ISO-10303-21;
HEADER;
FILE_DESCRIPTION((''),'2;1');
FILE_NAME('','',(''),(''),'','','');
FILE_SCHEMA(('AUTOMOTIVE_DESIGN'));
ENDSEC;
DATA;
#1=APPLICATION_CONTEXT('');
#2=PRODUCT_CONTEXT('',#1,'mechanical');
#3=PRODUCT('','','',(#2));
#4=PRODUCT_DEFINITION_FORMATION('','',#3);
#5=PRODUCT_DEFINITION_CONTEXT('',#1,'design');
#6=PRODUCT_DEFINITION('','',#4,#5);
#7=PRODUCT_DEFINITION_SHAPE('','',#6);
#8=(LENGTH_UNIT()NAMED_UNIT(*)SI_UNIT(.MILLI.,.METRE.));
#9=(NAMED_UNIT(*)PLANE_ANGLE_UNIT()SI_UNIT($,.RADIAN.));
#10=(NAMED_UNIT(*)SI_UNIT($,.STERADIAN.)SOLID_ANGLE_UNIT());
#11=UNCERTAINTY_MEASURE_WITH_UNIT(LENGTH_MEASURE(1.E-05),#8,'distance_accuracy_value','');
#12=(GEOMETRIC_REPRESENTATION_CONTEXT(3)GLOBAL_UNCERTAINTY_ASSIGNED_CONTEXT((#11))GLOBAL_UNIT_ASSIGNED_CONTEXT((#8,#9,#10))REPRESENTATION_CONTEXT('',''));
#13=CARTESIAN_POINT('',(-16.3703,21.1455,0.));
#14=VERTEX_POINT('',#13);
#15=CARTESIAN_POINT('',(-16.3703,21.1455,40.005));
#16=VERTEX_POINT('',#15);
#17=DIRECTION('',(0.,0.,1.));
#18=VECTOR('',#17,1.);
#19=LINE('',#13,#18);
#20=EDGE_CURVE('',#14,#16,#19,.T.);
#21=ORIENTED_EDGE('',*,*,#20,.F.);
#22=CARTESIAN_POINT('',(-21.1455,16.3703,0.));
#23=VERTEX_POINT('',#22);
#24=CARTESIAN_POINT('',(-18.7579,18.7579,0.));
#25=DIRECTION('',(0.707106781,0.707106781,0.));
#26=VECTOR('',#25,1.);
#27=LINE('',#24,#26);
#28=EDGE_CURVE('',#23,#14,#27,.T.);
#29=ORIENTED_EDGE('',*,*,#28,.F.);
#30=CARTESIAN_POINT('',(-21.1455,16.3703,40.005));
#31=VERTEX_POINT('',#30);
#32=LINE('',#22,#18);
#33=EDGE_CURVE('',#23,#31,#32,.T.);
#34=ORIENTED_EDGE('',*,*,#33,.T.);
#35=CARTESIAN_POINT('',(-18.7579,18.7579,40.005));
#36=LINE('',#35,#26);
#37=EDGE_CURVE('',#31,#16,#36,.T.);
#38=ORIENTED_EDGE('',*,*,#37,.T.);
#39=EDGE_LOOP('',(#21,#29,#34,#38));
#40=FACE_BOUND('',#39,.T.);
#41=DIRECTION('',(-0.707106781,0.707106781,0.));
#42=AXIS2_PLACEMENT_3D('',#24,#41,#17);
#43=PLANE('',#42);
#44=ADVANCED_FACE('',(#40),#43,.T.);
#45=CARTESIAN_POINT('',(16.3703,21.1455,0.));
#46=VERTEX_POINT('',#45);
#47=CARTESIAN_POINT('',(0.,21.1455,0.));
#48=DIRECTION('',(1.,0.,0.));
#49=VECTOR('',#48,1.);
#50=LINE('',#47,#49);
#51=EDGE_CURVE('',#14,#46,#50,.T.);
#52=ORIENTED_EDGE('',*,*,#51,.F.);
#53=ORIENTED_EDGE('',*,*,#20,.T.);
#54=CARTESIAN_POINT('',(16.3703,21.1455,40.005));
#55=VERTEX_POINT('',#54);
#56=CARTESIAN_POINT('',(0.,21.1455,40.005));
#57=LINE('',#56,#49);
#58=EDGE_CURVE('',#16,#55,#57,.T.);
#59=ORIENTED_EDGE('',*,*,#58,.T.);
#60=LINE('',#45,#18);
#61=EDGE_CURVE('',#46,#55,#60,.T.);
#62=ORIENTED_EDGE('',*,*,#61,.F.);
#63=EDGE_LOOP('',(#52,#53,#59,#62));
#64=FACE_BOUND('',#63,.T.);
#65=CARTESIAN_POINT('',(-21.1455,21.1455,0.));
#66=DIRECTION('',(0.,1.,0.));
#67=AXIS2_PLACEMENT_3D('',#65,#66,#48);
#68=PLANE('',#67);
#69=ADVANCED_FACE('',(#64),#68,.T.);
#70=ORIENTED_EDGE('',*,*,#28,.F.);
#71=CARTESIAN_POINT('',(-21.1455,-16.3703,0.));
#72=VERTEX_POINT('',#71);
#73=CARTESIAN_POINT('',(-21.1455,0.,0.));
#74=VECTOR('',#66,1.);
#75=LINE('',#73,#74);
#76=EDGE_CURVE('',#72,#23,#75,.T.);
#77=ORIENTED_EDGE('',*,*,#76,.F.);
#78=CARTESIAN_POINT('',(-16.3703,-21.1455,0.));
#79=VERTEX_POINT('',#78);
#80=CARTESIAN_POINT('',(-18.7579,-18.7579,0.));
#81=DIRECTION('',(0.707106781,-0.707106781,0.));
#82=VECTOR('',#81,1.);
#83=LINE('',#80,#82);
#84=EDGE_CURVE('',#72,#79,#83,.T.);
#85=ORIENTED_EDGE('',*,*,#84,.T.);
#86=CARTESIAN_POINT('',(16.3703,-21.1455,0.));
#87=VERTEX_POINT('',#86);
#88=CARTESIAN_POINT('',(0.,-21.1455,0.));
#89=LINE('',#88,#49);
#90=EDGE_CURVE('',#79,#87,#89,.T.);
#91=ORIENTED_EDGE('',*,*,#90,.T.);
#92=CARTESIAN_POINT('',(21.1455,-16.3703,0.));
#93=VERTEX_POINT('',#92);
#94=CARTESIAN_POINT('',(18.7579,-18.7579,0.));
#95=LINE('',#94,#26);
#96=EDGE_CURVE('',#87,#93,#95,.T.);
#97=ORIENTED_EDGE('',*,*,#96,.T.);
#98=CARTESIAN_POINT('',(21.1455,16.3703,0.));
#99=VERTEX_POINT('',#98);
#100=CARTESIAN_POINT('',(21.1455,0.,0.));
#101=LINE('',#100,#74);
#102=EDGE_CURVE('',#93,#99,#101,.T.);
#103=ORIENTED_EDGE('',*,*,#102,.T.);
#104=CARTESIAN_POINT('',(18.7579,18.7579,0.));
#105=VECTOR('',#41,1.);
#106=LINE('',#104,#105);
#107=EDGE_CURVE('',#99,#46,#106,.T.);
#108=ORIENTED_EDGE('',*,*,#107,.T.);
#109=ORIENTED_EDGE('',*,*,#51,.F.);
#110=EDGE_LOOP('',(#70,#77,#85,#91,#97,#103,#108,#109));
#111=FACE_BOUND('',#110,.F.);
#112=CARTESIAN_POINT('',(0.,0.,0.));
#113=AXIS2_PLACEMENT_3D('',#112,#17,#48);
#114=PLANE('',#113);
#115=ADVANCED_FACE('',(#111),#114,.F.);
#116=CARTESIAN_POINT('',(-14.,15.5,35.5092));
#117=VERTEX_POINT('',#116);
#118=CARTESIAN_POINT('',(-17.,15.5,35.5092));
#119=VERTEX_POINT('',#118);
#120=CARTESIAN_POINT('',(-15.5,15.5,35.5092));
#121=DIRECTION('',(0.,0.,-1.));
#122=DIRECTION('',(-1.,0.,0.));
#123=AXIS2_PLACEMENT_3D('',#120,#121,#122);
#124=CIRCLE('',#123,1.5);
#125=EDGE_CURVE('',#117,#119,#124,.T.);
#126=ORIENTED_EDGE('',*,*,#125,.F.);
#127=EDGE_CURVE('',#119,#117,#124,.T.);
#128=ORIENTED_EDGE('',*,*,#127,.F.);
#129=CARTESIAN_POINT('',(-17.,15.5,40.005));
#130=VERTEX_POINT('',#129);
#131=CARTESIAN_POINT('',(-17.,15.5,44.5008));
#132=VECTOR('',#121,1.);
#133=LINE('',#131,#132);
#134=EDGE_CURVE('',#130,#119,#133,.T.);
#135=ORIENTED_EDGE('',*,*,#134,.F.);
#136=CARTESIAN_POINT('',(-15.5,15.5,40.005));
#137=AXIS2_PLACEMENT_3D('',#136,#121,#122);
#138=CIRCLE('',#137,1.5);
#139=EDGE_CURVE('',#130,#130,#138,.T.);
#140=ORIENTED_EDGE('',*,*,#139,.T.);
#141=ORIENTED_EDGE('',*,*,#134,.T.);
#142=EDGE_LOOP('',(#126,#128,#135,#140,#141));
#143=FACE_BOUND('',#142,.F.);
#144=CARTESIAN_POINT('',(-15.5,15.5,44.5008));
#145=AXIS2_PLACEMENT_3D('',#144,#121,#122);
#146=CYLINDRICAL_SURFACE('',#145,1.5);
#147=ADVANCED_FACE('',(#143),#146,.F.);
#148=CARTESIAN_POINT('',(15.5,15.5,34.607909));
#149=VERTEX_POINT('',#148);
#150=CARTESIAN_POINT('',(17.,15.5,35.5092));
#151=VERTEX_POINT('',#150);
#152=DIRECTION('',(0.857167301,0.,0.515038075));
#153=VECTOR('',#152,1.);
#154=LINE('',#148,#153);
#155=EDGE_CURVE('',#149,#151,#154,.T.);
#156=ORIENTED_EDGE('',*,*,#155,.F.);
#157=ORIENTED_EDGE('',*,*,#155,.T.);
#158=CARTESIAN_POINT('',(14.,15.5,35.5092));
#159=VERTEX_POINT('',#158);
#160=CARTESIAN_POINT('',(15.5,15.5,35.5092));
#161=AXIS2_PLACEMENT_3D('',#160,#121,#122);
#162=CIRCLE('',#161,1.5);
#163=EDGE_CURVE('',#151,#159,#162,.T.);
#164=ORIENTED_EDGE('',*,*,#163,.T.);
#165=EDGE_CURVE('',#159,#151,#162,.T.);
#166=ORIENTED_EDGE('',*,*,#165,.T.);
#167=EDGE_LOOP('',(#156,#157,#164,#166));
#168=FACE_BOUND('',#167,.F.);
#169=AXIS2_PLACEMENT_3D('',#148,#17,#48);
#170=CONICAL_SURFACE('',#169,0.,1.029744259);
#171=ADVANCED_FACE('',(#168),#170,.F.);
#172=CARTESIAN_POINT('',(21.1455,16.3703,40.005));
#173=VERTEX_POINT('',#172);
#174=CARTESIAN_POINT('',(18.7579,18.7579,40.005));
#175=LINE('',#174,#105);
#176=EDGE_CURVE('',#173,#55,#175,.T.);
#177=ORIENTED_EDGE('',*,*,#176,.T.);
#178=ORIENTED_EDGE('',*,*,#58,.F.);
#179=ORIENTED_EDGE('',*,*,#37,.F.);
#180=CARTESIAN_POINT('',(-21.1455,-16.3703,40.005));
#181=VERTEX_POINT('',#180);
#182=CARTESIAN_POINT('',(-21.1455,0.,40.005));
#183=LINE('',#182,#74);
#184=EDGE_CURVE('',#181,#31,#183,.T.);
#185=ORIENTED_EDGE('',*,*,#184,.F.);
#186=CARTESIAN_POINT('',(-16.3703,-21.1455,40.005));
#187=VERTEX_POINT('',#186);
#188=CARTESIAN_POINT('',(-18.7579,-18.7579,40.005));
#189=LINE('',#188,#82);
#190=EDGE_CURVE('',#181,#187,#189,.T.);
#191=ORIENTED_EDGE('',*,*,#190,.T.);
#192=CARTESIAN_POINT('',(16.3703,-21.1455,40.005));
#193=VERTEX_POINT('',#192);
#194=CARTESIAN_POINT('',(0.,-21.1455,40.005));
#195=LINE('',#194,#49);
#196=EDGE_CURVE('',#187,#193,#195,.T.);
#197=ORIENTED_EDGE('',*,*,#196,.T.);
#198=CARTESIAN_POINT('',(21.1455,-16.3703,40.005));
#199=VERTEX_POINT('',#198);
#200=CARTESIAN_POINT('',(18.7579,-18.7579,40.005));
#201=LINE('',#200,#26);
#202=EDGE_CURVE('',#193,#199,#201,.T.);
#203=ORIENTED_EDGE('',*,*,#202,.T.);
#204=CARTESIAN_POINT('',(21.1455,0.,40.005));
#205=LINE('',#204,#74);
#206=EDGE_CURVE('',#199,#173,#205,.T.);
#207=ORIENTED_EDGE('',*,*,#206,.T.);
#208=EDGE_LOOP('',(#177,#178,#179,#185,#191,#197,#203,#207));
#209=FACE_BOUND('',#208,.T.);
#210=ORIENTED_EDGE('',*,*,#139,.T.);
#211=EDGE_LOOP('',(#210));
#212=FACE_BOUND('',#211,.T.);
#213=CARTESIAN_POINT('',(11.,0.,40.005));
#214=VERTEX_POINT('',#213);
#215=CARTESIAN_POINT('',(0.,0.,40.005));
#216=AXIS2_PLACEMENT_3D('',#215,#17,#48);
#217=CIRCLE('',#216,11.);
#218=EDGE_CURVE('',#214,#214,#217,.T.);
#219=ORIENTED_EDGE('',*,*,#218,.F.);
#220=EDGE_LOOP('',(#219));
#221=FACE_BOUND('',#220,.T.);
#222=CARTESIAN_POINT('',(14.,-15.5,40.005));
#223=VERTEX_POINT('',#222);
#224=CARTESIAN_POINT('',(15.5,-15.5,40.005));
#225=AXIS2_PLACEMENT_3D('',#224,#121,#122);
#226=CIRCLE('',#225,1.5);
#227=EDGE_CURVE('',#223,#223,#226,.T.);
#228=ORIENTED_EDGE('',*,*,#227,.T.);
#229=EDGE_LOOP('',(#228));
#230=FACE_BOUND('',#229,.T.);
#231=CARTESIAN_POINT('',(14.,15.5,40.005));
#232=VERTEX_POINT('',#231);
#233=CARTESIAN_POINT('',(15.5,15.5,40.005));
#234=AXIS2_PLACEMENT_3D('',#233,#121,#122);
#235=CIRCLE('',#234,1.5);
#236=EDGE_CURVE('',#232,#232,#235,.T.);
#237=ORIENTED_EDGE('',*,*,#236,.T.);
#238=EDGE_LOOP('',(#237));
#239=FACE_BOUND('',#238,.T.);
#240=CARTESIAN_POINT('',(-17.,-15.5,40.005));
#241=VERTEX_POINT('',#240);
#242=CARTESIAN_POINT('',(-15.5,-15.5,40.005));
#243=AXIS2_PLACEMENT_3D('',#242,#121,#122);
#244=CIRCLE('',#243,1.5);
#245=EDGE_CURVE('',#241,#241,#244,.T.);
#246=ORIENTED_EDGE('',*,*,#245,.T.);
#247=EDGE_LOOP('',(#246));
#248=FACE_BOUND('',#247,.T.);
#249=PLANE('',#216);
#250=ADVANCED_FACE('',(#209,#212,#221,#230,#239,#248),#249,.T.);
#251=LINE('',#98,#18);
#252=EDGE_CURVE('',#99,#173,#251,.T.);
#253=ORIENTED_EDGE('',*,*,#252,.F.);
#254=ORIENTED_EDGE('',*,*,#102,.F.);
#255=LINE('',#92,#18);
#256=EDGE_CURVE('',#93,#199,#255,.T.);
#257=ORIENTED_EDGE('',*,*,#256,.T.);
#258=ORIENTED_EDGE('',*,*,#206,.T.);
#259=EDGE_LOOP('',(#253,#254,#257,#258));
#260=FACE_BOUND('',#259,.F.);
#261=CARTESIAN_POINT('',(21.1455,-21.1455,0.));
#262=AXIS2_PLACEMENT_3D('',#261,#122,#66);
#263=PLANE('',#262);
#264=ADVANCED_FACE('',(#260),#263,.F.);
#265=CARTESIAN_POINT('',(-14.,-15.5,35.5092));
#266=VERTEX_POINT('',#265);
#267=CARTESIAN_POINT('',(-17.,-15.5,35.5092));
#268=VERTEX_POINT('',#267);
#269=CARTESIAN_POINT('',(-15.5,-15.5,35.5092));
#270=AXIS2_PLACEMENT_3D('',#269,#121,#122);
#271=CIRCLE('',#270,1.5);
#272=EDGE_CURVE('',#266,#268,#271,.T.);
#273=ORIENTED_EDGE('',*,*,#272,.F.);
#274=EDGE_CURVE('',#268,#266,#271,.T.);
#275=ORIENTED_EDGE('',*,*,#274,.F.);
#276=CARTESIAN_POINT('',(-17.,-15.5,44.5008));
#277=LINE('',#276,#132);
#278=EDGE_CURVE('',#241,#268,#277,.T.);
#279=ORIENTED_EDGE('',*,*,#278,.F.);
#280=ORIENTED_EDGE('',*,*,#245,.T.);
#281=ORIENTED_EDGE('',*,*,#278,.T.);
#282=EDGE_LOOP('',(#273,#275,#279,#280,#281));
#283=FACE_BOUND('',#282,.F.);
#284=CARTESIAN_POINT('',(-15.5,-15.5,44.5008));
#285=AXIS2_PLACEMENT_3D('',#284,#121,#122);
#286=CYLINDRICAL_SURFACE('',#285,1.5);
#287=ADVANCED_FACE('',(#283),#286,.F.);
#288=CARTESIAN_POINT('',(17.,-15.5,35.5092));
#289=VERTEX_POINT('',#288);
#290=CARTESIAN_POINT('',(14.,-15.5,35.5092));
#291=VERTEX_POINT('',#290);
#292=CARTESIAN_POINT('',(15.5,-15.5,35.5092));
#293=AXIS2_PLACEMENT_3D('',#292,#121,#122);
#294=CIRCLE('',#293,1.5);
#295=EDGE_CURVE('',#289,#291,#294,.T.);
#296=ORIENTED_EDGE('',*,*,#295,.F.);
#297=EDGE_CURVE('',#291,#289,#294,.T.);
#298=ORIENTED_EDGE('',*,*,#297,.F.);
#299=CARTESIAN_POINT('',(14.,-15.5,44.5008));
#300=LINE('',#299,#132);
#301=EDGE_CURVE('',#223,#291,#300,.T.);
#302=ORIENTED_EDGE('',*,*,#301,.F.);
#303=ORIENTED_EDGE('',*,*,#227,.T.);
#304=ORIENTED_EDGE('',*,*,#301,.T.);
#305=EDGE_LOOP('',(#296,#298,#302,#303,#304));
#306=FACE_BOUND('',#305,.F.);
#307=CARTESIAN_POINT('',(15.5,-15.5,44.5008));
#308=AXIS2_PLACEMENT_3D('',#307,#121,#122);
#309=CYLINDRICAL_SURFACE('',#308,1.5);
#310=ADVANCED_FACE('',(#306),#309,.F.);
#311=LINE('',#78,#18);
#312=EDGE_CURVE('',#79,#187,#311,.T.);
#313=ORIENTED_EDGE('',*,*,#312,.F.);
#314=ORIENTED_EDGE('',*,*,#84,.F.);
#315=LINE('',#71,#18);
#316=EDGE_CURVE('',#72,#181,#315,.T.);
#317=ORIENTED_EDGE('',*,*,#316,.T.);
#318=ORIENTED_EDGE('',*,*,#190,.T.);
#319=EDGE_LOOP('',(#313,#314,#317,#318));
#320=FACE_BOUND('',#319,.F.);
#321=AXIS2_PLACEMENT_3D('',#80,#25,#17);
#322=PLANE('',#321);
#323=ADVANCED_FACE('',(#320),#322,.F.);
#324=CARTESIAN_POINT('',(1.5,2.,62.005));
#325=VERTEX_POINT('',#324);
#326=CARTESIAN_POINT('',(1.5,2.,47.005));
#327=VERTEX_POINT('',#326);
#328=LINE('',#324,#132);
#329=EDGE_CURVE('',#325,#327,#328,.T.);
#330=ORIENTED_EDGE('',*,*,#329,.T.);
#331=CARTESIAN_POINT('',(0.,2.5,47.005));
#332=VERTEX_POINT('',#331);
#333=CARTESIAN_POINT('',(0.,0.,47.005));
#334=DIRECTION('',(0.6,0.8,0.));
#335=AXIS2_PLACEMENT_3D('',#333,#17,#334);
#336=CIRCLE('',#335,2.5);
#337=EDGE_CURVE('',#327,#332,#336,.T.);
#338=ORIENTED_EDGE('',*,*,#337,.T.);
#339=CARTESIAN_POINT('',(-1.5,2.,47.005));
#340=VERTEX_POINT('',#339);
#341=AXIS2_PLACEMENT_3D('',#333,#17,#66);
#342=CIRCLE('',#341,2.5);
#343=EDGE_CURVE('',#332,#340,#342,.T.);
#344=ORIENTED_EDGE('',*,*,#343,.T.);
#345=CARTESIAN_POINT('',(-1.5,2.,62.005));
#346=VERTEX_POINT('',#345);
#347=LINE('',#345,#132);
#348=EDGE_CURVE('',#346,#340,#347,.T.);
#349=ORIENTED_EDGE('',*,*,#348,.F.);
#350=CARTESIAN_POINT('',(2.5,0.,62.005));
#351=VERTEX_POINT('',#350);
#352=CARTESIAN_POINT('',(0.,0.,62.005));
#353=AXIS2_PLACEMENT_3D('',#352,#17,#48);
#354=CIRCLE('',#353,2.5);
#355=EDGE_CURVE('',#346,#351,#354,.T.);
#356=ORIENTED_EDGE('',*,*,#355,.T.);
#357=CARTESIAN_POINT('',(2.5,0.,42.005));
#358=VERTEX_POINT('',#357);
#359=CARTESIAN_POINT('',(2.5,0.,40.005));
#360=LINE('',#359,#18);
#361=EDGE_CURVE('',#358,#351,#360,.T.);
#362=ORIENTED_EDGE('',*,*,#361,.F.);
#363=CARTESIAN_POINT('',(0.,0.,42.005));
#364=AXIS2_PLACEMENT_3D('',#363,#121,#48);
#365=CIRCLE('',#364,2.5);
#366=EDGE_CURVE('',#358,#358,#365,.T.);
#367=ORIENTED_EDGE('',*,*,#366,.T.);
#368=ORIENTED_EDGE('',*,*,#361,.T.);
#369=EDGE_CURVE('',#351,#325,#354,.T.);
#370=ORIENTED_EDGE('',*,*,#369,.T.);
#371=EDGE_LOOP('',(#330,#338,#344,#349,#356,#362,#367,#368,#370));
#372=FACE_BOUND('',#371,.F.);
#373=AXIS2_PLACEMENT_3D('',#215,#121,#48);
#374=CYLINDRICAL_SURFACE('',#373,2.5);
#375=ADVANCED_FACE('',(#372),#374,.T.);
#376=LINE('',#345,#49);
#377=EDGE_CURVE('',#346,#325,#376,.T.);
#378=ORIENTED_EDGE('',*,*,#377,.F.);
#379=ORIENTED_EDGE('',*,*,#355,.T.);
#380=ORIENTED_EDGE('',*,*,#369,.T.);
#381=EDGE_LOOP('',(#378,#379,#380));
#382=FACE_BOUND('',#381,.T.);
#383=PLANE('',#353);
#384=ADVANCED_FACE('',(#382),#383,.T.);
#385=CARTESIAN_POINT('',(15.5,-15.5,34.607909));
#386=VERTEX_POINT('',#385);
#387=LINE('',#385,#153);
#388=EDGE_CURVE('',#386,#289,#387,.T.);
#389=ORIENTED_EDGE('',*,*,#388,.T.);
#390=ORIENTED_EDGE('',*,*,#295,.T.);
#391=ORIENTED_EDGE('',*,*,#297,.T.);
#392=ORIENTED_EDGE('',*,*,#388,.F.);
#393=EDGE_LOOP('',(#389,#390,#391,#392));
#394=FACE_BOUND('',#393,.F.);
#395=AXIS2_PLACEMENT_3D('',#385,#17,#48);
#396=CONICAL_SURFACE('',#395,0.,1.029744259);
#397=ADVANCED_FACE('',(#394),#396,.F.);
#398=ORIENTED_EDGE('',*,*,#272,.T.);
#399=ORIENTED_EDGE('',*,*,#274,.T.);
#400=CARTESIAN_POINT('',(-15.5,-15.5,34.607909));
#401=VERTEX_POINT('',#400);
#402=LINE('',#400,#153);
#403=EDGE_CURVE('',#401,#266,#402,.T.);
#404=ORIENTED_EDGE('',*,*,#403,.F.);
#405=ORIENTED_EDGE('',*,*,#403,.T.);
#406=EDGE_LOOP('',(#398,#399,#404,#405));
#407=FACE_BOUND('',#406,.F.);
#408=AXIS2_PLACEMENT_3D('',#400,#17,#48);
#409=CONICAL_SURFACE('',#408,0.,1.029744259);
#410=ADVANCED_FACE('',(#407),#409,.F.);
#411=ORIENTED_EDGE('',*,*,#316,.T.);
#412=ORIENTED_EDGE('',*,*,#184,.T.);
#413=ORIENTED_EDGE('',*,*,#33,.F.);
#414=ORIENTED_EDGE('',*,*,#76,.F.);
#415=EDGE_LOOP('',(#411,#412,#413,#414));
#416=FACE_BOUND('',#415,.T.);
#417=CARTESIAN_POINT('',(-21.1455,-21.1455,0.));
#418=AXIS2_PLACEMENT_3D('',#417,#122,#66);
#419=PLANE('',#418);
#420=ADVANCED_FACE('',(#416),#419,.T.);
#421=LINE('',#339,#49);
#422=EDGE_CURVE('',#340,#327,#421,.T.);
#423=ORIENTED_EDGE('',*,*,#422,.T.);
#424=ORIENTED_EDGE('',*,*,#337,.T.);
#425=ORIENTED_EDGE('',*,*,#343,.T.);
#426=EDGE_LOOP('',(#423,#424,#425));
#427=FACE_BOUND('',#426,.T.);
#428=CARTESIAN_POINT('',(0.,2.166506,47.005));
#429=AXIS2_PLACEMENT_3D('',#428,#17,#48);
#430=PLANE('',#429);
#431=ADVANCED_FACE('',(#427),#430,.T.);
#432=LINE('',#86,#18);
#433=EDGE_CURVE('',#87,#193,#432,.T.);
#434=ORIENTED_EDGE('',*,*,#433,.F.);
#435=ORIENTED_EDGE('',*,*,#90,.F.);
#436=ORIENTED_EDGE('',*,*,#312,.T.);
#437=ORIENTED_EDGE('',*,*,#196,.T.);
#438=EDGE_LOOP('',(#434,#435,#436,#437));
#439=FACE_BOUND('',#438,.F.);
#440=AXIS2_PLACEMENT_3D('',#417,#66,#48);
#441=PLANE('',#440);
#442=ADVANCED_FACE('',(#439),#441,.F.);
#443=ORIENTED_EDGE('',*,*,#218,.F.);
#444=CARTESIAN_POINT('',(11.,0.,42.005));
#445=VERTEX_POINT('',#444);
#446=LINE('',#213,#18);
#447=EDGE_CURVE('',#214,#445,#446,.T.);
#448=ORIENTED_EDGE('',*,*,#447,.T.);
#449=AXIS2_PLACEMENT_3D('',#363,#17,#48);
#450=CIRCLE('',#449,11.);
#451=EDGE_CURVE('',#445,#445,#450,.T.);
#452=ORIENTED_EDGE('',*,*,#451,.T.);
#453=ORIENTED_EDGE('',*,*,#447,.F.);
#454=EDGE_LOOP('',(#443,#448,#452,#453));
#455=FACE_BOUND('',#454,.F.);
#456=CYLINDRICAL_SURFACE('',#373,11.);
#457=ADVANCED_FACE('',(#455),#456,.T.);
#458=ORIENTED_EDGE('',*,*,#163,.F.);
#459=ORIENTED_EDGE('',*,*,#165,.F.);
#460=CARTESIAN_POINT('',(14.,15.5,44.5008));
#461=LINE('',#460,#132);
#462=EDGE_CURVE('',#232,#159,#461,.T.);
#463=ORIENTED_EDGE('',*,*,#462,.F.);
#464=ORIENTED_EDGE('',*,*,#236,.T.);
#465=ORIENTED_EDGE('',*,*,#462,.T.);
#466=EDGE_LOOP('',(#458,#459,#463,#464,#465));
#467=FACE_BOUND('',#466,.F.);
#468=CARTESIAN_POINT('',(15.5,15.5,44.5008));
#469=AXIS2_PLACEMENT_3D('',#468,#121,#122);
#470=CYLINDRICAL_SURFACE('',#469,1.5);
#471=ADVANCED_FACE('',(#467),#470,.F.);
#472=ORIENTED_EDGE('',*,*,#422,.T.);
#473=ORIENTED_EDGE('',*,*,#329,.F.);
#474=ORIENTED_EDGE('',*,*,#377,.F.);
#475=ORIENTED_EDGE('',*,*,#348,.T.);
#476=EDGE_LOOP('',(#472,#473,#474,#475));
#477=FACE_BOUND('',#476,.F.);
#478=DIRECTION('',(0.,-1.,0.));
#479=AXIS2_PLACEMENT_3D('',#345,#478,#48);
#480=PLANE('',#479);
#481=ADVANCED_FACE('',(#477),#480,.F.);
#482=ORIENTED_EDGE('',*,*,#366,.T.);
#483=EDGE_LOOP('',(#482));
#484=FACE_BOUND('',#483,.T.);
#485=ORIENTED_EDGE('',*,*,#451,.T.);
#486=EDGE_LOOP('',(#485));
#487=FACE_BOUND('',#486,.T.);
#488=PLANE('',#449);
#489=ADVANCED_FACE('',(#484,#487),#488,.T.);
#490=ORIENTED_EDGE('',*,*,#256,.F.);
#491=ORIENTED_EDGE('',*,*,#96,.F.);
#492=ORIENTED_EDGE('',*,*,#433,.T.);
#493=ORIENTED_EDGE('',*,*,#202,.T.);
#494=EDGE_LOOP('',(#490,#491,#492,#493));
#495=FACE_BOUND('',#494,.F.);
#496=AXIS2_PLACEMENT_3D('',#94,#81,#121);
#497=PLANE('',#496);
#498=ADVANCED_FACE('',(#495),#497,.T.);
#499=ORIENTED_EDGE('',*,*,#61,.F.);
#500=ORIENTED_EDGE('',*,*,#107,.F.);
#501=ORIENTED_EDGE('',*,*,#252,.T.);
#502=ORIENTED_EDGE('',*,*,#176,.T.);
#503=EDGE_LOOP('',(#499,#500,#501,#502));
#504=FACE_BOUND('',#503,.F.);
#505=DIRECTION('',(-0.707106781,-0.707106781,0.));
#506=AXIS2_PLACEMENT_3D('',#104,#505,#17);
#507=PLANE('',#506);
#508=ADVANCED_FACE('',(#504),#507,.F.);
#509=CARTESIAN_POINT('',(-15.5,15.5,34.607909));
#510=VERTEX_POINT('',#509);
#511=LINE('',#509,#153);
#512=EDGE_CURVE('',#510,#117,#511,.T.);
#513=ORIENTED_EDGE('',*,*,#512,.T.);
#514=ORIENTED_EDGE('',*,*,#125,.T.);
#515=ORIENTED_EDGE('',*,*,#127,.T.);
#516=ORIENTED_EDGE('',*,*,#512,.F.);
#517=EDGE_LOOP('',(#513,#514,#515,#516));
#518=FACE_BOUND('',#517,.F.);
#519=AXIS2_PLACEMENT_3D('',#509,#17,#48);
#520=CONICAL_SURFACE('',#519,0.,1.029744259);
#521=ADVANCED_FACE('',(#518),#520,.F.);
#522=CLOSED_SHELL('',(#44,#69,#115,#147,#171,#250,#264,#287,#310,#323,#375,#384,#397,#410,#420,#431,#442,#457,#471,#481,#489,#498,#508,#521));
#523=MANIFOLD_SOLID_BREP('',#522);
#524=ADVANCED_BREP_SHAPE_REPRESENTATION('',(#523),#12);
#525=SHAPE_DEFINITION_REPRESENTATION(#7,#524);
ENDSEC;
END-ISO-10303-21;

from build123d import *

# Parameters (mm, degrees)
F0_W      = 42.291
F0_H      = 42.291
F1_DEPTH  = 40.005
F2_SIZE   = 4.7752
F3_R      = 11
F4_DEPTH  = 2
F5_R      = 2.5
F6_DEPTH  = 22
F8_DEPTH  = 15
F10_D     = 3
F10_DEPTH = 4.4958
F10_TIP   = 0.9012909285


with BuildPart() as f1:
    # F0 (on Top) → F1 (new body)
    with BuildSketch(Plane.XY):
        Rectangle(F0_W, F0_H)
    extrude(amount=F1_DEPTH)

    # F2
    f2_edges = [f1.edges().sort_by_distance(p)[0] for p in [
        (21.1455, -21.1455, 20.0025),
        (21.1455, 21.1455, 20.0025),
        (-21.1455, 21.1455, 20.0025),
        (-21.1455, -21.1455, 20.0025),
    ]]
    chamfer(f2_edges, length=F2_SIZE)

    # F3 (on face) → F4 (join)
    with BuildSketch(Plane.XY.offset(40.005)):
        Circle(F3_R)
    extrude(amount=F4_DEPTH)

    # F5 (on face) → F6 (join)
    with BuildSketch(Plane.XY.offset(40.005)):
        Circle(F5_R)
    extrude(amount=F6_DEPTH)

    # F7 (on face) → F8 (cut)
    with BuildSketch(Plane.XY.offset(62.005)):
        with BuildLine():
            ThreePointArc((1.5, 2), (0.790569415, 2.3717082451), (0, 2.5))
            ThreePointArc((0, 2.5), (-0.790569415, 2.3717082451), (-1.5, 2))
            Line((-1.5, 2), (1.5, 2))
        make_face()
    extrude(amount=-F8_DEPTH, mode=Mode.SUBTRACT)

    # F10
    with Locations(Plane.XY.offset(40.005)):
        with Locations((-15.5, 15.5), (-15.5, -15.5), (15.5, -15.5), (15.5, 15.5)):
            Hole(F10_D / 2, depth=F10_DEPTH)
            with Locations((0, 0, -(F10_DEPTH + F10_TIP / 2))):  # 118° drill point
                Cone(0, F10_D / 2, F10_TIP, mode=Mode.SUBTRACT)


solid = f1.part
